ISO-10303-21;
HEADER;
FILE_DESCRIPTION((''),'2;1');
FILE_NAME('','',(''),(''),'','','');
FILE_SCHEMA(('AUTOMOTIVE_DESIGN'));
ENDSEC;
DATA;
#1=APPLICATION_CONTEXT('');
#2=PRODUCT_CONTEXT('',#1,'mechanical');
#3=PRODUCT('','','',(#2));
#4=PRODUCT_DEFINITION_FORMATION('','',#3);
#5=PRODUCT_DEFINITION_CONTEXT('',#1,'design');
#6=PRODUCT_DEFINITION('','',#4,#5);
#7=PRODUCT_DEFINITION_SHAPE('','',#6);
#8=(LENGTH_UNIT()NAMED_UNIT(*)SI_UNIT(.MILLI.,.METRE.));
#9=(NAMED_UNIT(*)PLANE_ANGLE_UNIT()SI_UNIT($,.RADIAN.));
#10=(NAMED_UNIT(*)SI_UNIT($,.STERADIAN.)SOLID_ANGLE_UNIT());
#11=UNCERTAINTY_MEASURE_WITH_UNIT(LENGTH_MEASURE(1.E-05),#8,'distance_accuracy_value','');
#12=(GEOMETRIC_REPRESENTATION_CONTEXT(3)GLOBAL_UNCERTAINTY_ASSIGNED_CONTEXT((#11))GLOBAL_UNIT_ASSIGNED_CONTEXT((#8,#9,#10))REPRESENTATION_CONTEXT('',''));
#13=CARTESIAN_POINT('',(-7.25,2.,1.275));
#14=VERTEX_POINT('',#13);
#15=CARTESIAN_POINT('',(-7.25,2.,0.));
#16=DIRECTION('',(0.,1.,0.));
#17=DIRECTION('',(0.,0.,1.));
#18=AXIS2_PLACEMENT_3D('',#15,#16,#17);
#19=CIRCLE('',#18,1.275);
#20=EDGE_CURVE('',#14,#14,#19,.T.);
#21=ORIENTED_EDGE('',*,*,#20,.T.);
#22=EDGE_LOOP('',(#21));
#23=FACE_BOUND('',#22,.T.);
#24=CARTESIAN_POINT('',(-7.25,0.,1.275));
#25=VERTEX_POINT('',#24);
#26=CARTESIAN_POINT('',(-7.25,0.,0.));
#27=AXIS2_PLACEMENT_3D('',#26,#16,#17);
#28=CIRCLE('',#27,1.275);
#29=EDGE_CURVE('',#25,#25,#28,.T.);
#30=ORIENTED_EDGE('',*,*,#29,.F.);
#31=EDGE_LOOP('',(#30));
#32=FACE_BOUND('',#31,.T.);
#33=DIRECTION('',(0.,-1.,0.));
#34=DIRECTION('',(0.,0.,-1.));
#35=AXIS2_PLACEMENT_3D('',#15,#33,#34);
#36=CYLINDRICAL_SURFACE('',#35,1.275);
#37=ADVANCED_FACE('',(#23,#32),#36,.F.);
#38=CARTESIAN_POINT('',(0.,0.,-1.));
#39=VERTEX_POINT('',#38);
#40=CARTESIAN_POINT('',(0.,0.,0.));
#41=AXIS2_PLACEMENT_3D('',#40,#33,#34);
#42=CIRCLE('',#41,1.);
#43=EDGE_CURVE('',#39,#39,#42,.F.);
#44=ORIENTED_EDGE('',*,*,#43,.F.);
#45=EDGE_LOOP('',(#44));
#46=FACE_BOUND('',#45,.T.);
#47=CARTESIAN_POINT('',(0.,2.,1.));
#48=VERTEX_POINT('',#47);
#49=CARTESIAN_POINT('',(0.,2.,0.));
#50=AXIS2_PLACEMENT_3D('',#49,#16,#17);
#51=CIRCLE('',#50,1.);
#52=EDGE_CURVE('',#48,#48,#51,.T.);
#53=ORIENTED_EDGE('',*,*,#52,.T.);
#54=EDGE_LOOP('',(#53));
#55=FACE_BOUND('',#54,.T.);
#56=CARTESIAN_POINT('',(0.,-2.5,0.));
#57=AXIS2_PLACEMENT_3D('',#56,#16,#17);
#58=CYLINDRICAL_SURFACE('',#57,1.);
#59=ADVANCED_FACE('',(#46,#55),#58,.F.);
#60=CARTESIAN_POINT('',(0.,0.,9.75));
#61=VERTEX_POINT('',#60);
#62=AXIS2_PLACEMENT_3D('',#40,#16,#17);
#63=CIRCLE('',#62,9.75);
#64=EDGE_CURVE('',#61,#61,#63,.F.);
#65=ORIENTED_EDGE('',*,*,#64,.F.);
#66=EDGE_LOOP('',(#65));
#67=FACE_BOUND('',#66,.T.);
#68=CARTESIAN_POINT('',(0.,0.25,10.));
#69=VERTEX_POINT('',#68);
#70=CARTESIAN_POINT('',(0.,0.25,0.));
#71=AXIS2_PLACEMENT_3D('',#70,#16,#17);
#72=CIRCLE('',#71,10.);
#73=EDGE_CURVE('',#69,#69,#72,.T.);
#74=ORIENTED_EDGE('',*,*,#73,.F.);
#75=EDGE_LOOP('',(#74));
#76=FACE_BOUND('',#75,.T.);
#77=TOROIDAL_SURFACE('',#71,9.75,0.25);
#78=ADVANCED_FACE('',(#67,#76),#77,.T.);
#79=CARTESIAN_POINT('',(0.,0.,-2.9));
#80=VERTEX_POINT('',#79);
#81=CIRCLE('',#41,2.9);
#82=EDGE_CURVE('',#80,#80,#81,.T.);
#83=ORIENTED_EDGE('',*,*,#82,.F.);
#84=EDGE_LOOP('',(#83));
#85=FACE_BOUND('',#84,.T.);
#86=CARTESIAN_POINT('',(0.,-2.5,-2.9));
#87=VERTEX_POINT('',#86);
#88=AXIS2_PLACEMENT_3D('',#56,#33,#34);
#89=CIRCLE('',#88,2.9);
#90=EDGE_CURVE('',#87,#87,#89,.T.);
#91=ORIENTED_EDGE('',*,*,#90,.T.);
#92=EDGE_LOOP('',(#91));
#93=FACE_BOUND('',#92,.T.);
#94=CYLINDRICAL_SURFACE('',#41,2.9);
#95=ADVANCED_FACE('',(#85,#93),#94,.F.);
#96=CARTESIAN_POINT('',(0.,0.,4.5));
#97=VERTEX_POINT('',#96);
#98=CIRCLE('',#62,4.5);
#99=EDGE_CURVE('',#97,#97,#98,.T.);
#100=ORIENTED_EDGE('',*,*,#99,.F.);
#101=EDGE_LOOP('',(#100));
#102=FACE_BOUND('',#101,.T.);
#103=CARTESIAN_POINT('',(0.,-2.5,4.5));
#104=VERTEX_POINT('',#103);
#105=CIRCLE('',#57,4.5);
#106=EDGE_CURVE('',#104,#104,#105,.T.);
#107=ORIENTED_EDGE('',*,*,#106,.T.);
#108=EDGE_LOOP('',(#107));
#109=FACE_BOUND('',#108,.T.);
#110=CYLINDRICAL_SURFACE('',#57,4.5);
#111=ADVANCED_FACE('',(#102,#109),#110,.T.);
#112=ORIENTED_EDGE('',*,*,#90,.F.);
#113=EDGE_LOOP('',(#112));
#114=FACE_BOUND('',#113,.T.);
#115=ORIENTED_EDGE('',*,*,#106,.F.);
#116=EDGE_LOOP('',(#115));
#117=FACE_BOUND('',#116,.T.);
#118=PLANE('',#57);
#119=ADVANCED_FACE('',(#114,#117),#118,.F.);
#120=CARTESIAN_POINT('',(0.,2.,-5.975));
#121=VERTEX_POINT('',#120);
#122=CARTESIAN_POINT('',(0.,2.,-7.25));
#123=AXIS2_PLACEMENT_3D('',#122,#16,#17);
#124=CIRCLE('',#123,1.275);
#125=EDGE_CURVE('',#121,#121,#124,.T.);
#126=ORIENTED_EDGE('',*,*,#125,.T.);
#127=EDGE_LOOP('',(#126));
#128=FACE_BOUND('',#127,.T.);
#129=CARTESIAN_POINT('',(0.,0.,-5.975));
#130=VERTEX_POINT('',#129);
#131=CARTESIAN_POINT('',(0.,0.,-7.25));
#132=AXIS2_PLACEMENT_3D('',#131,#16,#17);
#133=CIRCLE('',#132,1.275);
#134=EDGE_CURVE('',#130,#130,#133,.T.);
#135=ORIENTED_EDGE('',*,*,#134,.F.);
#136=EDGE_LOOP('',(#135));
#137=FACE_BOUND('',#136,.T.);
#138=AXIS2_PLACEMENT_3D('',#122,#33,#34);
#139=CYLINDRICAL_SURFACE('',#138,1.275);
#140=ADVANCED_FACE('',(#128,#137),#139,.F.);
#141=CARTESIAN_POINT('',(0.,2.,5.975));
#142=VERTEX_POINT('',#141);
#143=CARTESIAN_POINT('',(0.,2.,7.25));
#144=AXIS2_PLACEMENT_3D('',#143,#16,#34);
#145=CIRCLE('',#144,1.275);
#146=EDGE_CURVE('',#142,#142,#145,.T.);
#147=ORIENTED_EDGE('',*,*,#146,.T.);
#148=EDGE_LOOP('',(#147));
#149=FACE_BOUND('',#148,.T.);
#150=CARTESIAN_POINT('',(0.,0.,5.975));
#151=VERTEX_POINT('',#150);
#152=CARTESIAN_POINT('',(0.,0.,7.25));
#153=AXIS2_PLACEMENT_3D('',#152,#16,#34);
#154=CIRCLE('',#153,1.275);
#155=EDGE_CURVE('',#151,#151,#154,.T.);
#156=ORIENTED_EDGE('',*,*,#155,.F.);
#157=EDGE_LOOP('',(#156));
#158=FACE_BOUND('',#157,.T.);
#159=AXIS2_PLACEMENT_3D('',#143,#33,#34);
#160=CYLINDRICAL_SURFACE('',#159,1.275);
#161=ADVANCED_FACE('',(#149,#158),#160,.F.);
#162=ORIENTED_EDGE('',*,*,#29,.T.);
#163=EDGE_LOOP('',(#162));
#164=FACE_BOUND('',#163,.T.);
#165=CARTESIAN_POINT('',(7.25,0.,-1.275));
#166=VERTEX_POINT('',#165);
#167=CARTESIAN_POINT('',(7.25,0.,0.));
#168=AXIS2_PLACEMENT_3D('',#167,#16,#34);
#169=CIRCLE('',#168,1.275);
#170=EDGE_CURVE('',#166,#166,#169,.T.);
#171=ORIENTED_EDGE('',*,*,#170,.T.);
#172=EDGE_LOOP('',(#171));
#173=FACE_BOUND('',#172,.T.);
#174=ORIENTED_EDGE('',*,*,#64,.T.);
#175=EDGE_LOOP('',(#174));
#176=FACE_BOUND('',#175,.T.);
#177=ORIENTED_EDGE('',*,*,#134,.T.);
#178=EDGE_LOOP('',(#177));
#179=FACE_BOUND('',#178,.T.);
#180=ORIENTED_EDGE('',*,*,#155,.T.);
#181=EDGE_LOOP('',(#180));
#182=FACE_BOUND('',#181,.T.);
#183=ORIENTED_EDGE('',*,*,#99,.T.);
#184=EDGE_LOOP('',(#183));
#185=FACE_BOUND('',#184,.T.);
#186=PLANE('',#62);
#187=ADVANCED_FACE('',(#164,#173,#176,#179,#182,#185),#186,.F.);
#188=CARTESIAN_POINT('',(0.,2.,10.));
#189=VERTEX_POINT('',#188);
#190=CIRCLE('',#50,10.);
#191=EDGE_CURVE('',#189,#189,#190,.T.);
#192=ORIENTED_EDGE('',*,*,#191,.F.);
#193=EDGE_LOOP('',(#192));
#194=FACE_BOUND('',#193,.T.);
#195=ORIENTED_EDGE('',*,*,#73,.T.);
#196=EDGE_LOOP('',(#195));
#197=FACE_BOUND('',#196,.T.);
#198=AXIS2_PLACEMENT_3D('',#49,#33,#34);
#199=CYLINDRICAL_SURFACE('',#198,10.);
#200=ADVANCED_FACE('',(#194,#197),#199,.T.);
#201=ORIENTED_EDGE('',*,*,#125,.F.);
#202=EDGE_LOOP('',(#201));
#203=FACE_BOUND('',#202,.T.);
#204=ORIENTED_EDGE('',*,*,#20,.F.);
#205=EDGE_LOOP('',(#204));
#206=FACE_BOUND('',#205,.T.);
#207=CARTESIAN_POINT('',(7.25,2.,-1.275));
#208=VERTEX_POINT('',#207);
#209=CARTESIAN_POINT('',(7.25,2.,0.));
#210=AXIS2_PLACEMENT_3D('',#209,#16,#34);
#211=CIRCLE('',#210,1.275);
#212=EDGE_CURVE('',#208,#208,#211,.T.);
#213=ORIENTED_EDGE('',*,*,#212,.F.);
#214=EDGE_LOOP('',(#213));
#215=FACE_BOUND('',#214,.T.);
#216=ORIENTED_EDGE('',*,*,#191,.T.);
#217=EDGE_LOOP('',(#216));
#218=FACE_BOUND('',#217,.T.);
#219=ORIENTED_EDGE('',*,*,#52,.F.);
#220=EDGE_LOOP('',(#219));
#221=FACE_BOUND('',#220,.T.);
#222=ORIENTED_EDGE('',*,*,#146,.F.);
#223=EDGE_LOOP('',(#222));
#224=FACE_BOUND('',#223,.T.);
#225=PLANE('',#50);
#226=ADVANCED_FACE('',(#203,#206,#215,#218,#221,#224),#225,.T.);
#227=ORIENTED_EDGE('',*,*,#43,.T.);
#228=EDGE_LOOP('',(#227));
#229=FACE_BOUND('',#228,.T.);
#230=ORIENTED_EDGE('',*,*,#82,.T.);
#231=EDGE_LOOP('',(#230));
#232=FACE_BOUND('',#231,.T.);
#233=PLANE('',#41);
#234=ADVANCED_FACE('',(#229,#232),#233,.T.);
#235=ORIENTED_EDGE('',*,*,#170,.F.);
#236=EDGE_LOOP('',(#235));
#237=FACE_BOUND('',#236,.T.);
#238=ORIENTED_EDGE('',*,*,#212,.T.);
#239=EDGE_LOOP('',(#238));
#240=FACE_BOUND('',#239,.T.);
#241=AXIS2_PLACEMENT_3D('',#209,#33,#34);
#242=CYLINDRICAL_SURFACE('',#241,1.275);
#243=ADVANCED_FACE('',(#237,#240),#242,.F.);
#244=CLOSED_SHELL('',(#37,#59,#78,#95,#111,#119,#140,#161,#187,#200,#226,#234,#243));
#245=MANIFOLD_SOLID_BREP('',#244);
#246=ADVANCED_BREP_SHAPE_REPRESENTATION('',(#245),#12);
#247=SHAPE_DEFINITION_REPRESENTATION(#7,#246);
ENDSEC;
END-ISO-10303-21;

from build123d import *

# Parameters (mm, degrees)
SKETCH1_R           = 10
BOSS_EXTRUDE1_DEPTH = 2
SKETCH2_R           = 4.5
BOSS_EXTRUDE2_DEPTH = 2.5
SKETCH3_R           = 1.275
CUT_EXTRUDE1_DEPTH  = 15.361406616
FILLET1_R           = 0.25
SKETCH6_R           = 1
CUT_EXTRUDE2_DEPTH  = 15.840822214
SKETCH7_R           = 2.9
CUT_EXTRUDE3_DEPTH  = 2.5


with BuildPart() as part:
    # Sketch1 → Boss-Extrude1 (new body)
    with BuildSketch(Plane(origin=(0, 0, 0), x_dir=(1, 0, 0), z_dir=(0, 1, 0))):
        with Locations(Location((0, 0, 0), (0, 0, 270))):
            Circle(SKETCH1_R)
    extrude(amount=BOSS_EXTRUDE1_DEPTH)

    # Sketch2 → Boss-Extrude2 (add)
    with BuildSketch(Plane(origin=(0, 0, 0), x_dir=(1, 0, 0), z_dir=(0, 1, 0))):
        with Locations(Location((0, 0, 0), (0, 0, 270))):
            Circle(SKETCH2_R)
    extrude(amount=-BOSS_EXTRUDE2_DEPTH)

    # Sketch3 → Cut-Extrude1 (cut, through all)
    with BuildSketch(Plane(origin=(0, 0, 0), x_dir=(1, 0, 0), z_dir=(0, 1, 0))):
        with Locations(Location((0, 7.25, 0), (0, 0, 270))):
            Circle(SKETCH3_R)
        with Locations(Location((-7.25, 0, 0), (0, 0, 270))):
            Circle(SKETCH3_R)
        with Locations(Location((0, -7.25, 0), (0, 0, 90))):
            Circle(SKETCH3_R)
        with Locations(Location((7.25, 0, 0), (0, 0, 90))):
            Circle(SKETCH3_R)
    extrude(amount=CUT_EXTRUDE1_DEPTH, mode=Mode.SUBTRACT)

    # Fillet1
    fillet1_edges = [part.edges().sort_by_distance(p)[0] for p in [
        (0, 0, -10),
    ]]
    fillet(fillet1_edges, radius=FILLET1_R)

    # Sketch6 → Cut-Extrude2 (cut, through all)
    with BuildSketch(Plane(origin=(0, 2, 0), x_dir=(1, 0, 0), z_dir=(0, 1, 0))):
        with Locations(Location((0, 0, 0), (0, 0, 270))):
            Circle(SKETCH6_R)
    extrude(amount=-CUT_EXTRUDE2_DEPTH, mode=Mode.SUBTRACT)

    # Sketch7 → Cut-Extrude3 (cut)
    with BuildSketch(Plane.XZ.offset(2.5)):
        with Locations(Location((0, 0, 0), (0, 0, 270))):
            Circle(SKETCH7_R)
    extrude(amount=-CUT_EXTRUDE3_DEPTH, mode=Mode.SUBTRACT)


solid = part.part
